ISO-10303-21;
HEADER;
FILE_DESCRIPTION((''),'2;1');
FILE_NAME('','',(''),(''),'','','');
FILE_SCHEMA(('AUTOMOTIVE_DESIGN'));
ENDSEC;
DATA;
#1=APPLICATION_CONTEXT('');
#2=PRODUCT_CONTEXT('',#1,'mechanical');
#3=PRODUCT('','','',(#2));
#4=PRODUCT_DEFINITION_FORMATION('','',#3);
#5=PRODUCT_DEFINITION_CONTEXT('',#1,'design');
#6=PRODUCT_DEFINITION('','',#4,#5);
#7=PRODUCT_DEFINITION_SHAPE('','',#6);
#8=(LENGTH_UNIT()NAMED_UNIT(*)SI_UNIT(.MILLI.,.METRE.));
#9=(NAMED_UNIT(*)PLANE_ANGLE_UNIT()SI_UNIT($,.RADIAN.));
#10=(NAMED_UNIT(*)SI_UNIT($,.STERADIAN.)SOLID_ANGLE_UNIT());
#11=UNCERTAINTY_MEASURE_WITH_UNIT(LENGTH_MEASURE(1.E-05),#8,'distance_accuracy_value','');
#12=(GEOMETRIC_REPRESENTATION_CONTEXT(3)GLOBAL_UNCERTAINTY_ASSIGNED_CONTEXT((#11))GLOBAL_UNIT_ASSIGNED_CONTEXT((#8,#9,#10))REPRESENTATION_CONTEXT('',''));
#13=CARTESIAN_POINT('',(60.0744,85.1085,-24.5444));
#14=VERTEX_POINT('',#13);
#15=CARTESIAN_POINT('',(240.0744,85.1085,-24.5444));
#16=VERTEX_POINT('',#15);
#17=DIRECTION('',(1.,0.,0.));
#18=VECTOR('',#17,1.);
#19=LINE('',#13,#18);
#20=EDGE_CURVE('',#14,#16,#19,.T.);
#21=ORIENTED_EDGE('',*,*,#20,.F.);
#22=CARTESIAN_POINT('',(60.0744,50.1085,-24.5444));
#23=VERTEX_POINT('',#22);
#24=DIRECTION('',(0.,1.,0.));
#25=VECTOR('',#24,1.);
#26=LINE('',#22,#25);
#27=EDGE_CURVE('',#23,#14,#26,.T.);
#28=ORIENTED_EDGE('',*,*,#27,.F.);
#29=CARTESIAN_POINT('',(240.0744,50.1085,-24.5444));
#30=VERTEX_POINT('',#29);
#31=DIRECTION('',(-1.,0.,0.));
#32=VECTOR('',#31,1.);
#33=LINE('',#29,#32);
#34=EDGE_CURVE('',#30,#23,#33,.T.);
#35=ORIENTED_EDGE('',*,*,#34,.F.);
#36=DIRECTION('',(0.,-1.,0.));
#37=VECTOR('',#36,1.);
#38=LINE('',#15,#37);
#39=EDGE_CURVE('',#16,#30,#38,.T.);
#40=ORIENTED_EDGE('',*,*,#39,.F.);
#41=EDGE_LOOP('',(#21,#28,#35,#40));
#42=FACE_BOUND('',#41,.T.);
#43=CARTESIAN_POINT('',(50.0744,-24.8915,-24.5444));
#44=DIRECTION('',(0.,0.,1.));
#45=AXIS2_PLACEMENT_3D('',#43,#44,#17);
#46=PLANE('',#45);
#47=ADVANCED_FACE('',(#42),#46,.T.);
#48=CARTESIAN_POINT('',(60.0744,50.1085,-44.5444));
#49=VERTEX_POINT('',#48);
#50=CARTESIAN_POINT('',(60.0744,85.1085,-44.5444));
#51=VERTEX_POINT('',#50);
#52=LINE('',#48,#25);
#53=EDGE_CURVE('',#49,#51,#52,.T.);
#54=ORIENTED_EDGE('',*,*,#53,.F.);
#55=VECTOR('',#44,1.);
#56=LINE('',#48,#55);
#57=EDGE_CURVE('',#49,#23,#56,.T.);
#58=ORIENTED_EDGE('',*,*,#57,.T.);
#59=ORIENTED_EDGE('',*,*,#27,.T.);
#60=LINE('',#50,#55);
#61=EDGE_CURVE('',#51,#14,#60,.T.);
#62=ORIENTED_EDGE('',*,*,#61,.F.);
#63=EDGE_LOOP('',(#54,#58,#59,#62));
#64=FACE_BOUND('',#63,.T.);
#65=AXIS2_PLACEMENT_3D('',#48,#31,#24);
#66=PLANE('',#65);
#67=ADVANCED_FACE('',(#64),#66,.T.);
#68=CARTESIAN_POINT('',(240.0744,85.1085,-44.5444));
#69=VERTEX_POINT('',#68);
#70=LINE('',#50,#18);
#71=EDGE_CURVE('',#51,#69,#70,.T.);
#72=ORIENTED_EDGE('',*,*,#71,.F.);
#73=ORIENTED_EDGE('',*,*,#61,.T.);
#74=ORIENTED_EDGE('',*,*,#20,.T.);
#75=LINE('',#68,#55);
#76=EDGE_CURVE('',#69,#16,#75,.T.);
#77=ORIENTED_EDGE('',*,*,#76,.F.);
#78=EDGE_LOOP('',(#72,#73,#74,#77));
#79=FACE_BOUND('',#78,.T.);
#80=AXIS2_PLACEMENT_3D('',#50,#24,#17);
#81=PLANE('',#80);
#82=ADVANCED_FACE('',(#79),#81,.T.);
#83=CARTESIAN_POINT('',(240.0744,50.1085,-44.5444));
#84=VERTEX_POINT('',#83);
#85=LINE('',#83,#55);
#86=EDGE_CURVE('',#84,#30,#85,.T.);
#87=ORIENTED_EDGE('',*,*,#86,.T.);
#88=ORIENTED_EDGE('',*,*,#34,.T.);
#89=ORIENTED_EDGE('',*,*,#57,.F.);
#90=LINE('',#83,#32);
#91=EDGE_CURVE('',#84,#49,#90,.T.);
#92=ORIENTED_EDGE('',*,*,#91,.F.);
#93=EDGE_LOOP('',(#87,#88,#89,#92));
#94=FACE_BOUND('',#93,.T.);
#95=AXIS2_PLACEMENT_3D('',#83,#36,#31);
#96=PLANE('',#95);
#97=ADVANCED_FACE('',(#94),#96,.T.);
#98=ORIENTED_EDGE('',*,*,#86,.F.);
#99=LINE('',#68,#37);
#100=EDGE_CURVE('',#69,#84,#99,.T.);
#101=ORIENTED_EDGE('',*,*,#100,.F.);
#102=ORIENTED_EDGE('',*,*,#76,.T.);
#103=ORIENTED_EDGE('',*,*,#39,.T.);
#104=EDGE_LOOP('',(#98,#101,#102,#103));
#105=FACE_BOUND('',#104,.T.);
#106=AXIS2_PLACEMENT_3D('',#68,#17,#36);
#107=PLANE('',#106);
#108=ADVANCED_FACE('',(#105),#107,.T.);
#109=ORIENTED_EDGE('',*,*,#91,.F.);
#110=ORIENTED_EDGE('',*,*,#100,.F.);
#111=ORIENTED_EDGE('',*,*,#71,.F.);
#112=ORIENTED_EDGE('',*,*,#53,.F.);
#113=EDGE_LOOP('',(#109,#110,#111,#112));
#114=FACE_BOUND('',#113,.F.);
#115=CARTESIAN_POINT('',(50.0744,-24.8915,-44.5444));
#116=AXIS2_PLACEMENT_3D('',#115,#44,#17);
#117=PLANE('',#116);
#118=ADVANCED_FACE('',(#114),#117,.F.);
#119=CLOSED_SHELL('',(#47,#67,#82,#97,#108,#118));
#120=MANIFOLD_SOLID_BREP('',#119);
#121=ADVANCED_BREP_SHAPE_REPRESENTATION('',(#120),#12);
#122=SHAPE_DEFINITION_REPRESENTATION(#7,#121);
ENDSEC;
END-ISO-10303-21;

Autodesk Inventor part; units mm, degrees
ref_plane "YZ Plane" through (0, 0, 0) normal (1, 0, 0) x (0, 1, 0)
ref_plane "XZ Plane" through (0, 0, 0) normal (0, 1, 0) x (-1, 0, 0)
ref_plane "XY Plane" through (0, 0, 0) normal (0, 0, 1) x (1, 0, 0)
ref_plane "Work Plane1" through (50.0744, -24.8915, -44.5444) normal (0, 0, 1) x (1, 0, 0)
sketch "Sketch1" plane through (50.0744, -24.8915, -44.5444) normal (0, 0, 1) x (1, 0, 0)
  line L0 (10, 110) -> (190, 110)
  line L1 (10, 75) -> (10, 110)
  line L2 (190, 75) -> (10, 75)
  line L3 (190, 110) -> (190, 75)
  point P0 (-50.0744, 24.8915)
extrude "Extrusion1" add sketch "Sketch1" along normal blind 20
properties part number "CE-8.2.2-01-003"
